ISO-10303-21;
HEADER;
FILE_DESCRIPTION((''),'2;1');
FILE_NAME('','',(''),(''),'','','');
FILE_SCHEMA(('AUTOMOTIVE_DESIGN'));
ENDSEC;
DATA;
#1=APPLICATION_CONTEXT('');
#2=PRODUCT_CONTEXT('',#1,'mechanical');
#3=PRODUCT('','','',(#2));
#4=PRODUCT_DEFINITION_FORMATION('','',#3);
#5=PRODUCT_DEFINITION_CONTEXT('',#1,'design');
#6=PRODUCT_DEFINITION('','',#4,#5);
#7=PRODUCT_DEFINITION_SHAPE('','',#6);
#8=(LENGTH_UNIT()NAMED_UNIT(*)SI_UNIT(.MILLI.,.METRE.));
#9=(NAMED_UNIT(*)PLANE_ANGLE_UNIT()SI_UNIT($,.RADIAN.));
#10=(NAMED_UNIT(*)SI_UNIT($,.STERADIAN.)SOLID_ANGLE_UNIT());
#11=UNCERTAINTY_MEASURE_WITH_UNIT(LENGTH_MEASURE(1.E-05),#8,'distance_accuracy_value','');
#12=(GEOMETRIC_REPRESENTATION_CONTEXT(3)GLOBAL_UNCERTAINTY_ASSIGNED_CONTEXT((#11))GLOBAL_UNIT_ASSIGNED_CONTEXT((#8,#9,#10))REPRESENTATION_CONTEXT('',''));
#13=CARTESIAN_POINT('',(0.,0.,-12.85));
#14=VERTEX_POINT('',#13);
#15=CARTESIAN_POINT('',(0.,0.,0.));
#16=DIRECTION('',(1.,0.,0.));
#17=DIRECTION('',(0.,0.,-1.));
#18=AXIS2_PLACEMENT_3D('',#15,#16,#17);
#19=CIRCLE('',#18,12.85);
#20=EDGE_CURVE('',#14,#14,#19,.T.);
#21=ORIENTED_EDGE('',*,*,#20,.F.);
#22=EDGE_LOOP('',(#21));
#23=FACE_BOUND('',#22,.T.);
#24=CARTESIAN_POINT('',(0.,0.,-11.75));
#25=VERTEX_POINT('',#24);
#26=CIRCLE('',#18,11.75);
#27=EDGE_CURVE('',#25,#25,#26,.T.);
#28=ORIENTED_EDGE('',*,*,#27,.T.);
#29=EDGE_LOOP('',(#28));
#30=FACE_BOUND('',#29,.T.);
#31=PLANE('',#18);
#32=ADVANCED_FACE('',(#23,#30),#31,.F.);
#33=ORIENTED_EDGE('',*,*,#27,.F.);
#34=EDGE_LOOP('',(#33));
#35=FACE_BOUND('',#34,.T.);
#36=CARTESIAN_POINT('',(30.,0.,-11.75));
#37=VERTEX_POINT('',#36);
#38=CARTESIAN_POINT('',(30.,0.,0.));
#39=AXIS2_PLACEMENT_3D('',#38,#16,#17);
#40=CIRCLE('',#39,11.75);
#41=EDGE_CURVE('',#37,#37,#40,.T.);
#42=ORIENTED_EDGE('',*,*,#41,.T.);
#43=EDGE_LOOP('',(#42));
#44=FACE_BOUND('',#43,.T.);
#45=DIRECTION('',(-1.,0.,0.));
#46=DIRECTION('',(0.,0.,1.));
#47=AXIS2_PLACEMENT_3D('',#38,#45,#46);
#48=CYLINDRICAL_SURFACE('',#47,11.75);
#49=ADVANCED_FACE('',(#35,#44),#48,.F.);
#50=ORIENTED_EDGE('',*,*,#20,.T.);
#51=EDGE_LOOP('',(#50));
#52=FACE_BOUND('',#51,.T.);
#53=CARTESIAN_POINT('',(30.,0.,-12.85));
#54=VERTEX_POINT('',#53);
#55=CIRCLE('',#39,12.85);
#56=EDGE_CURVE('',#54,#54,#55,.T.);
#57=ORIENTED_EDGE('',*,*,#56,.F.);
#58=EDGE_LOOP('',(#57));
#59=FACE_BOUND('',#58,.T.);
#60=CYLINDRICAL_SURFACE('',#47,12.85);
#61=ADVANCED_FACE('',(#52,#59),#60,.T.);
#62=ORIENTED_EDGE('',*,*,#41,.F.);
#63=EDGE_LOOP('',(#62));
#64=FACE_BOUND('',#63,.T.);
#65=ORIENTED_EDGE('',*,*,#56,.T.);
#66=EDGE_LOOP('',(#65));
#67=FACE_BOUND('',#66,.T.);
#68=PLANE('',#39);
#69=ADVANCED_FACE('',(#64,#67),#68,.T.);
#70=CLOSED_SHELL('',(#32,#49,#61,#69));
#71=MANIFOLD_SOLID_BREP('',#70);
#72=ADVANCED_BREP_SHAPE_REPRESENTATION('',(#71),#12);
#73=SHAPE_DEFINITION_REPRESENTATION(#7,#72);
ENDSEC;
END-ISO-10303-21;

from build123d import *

# Parameters (mm, degrees)
SKETCH_1_R      = 12.85
SKETCH_1_R_2    = 11.75
EXTRUDE_1_DEPTH = 30


with BuildPart() as part:
    # Эскиз1 → Бобышка-Вытянуть1 (new body)
    with BuildSketch(Plane(origin=(0, 0, 0), x_dir=(0, 0, -1), z_dir=(1, 0, 0))):
        Circle(SKETCH_1_R)
        Circle(SKETCH_1_R_2, mode=Mode.SUBTRACT)
    extrude(amount=EXTRUDE_1_DEPTH)


solid = part.part
